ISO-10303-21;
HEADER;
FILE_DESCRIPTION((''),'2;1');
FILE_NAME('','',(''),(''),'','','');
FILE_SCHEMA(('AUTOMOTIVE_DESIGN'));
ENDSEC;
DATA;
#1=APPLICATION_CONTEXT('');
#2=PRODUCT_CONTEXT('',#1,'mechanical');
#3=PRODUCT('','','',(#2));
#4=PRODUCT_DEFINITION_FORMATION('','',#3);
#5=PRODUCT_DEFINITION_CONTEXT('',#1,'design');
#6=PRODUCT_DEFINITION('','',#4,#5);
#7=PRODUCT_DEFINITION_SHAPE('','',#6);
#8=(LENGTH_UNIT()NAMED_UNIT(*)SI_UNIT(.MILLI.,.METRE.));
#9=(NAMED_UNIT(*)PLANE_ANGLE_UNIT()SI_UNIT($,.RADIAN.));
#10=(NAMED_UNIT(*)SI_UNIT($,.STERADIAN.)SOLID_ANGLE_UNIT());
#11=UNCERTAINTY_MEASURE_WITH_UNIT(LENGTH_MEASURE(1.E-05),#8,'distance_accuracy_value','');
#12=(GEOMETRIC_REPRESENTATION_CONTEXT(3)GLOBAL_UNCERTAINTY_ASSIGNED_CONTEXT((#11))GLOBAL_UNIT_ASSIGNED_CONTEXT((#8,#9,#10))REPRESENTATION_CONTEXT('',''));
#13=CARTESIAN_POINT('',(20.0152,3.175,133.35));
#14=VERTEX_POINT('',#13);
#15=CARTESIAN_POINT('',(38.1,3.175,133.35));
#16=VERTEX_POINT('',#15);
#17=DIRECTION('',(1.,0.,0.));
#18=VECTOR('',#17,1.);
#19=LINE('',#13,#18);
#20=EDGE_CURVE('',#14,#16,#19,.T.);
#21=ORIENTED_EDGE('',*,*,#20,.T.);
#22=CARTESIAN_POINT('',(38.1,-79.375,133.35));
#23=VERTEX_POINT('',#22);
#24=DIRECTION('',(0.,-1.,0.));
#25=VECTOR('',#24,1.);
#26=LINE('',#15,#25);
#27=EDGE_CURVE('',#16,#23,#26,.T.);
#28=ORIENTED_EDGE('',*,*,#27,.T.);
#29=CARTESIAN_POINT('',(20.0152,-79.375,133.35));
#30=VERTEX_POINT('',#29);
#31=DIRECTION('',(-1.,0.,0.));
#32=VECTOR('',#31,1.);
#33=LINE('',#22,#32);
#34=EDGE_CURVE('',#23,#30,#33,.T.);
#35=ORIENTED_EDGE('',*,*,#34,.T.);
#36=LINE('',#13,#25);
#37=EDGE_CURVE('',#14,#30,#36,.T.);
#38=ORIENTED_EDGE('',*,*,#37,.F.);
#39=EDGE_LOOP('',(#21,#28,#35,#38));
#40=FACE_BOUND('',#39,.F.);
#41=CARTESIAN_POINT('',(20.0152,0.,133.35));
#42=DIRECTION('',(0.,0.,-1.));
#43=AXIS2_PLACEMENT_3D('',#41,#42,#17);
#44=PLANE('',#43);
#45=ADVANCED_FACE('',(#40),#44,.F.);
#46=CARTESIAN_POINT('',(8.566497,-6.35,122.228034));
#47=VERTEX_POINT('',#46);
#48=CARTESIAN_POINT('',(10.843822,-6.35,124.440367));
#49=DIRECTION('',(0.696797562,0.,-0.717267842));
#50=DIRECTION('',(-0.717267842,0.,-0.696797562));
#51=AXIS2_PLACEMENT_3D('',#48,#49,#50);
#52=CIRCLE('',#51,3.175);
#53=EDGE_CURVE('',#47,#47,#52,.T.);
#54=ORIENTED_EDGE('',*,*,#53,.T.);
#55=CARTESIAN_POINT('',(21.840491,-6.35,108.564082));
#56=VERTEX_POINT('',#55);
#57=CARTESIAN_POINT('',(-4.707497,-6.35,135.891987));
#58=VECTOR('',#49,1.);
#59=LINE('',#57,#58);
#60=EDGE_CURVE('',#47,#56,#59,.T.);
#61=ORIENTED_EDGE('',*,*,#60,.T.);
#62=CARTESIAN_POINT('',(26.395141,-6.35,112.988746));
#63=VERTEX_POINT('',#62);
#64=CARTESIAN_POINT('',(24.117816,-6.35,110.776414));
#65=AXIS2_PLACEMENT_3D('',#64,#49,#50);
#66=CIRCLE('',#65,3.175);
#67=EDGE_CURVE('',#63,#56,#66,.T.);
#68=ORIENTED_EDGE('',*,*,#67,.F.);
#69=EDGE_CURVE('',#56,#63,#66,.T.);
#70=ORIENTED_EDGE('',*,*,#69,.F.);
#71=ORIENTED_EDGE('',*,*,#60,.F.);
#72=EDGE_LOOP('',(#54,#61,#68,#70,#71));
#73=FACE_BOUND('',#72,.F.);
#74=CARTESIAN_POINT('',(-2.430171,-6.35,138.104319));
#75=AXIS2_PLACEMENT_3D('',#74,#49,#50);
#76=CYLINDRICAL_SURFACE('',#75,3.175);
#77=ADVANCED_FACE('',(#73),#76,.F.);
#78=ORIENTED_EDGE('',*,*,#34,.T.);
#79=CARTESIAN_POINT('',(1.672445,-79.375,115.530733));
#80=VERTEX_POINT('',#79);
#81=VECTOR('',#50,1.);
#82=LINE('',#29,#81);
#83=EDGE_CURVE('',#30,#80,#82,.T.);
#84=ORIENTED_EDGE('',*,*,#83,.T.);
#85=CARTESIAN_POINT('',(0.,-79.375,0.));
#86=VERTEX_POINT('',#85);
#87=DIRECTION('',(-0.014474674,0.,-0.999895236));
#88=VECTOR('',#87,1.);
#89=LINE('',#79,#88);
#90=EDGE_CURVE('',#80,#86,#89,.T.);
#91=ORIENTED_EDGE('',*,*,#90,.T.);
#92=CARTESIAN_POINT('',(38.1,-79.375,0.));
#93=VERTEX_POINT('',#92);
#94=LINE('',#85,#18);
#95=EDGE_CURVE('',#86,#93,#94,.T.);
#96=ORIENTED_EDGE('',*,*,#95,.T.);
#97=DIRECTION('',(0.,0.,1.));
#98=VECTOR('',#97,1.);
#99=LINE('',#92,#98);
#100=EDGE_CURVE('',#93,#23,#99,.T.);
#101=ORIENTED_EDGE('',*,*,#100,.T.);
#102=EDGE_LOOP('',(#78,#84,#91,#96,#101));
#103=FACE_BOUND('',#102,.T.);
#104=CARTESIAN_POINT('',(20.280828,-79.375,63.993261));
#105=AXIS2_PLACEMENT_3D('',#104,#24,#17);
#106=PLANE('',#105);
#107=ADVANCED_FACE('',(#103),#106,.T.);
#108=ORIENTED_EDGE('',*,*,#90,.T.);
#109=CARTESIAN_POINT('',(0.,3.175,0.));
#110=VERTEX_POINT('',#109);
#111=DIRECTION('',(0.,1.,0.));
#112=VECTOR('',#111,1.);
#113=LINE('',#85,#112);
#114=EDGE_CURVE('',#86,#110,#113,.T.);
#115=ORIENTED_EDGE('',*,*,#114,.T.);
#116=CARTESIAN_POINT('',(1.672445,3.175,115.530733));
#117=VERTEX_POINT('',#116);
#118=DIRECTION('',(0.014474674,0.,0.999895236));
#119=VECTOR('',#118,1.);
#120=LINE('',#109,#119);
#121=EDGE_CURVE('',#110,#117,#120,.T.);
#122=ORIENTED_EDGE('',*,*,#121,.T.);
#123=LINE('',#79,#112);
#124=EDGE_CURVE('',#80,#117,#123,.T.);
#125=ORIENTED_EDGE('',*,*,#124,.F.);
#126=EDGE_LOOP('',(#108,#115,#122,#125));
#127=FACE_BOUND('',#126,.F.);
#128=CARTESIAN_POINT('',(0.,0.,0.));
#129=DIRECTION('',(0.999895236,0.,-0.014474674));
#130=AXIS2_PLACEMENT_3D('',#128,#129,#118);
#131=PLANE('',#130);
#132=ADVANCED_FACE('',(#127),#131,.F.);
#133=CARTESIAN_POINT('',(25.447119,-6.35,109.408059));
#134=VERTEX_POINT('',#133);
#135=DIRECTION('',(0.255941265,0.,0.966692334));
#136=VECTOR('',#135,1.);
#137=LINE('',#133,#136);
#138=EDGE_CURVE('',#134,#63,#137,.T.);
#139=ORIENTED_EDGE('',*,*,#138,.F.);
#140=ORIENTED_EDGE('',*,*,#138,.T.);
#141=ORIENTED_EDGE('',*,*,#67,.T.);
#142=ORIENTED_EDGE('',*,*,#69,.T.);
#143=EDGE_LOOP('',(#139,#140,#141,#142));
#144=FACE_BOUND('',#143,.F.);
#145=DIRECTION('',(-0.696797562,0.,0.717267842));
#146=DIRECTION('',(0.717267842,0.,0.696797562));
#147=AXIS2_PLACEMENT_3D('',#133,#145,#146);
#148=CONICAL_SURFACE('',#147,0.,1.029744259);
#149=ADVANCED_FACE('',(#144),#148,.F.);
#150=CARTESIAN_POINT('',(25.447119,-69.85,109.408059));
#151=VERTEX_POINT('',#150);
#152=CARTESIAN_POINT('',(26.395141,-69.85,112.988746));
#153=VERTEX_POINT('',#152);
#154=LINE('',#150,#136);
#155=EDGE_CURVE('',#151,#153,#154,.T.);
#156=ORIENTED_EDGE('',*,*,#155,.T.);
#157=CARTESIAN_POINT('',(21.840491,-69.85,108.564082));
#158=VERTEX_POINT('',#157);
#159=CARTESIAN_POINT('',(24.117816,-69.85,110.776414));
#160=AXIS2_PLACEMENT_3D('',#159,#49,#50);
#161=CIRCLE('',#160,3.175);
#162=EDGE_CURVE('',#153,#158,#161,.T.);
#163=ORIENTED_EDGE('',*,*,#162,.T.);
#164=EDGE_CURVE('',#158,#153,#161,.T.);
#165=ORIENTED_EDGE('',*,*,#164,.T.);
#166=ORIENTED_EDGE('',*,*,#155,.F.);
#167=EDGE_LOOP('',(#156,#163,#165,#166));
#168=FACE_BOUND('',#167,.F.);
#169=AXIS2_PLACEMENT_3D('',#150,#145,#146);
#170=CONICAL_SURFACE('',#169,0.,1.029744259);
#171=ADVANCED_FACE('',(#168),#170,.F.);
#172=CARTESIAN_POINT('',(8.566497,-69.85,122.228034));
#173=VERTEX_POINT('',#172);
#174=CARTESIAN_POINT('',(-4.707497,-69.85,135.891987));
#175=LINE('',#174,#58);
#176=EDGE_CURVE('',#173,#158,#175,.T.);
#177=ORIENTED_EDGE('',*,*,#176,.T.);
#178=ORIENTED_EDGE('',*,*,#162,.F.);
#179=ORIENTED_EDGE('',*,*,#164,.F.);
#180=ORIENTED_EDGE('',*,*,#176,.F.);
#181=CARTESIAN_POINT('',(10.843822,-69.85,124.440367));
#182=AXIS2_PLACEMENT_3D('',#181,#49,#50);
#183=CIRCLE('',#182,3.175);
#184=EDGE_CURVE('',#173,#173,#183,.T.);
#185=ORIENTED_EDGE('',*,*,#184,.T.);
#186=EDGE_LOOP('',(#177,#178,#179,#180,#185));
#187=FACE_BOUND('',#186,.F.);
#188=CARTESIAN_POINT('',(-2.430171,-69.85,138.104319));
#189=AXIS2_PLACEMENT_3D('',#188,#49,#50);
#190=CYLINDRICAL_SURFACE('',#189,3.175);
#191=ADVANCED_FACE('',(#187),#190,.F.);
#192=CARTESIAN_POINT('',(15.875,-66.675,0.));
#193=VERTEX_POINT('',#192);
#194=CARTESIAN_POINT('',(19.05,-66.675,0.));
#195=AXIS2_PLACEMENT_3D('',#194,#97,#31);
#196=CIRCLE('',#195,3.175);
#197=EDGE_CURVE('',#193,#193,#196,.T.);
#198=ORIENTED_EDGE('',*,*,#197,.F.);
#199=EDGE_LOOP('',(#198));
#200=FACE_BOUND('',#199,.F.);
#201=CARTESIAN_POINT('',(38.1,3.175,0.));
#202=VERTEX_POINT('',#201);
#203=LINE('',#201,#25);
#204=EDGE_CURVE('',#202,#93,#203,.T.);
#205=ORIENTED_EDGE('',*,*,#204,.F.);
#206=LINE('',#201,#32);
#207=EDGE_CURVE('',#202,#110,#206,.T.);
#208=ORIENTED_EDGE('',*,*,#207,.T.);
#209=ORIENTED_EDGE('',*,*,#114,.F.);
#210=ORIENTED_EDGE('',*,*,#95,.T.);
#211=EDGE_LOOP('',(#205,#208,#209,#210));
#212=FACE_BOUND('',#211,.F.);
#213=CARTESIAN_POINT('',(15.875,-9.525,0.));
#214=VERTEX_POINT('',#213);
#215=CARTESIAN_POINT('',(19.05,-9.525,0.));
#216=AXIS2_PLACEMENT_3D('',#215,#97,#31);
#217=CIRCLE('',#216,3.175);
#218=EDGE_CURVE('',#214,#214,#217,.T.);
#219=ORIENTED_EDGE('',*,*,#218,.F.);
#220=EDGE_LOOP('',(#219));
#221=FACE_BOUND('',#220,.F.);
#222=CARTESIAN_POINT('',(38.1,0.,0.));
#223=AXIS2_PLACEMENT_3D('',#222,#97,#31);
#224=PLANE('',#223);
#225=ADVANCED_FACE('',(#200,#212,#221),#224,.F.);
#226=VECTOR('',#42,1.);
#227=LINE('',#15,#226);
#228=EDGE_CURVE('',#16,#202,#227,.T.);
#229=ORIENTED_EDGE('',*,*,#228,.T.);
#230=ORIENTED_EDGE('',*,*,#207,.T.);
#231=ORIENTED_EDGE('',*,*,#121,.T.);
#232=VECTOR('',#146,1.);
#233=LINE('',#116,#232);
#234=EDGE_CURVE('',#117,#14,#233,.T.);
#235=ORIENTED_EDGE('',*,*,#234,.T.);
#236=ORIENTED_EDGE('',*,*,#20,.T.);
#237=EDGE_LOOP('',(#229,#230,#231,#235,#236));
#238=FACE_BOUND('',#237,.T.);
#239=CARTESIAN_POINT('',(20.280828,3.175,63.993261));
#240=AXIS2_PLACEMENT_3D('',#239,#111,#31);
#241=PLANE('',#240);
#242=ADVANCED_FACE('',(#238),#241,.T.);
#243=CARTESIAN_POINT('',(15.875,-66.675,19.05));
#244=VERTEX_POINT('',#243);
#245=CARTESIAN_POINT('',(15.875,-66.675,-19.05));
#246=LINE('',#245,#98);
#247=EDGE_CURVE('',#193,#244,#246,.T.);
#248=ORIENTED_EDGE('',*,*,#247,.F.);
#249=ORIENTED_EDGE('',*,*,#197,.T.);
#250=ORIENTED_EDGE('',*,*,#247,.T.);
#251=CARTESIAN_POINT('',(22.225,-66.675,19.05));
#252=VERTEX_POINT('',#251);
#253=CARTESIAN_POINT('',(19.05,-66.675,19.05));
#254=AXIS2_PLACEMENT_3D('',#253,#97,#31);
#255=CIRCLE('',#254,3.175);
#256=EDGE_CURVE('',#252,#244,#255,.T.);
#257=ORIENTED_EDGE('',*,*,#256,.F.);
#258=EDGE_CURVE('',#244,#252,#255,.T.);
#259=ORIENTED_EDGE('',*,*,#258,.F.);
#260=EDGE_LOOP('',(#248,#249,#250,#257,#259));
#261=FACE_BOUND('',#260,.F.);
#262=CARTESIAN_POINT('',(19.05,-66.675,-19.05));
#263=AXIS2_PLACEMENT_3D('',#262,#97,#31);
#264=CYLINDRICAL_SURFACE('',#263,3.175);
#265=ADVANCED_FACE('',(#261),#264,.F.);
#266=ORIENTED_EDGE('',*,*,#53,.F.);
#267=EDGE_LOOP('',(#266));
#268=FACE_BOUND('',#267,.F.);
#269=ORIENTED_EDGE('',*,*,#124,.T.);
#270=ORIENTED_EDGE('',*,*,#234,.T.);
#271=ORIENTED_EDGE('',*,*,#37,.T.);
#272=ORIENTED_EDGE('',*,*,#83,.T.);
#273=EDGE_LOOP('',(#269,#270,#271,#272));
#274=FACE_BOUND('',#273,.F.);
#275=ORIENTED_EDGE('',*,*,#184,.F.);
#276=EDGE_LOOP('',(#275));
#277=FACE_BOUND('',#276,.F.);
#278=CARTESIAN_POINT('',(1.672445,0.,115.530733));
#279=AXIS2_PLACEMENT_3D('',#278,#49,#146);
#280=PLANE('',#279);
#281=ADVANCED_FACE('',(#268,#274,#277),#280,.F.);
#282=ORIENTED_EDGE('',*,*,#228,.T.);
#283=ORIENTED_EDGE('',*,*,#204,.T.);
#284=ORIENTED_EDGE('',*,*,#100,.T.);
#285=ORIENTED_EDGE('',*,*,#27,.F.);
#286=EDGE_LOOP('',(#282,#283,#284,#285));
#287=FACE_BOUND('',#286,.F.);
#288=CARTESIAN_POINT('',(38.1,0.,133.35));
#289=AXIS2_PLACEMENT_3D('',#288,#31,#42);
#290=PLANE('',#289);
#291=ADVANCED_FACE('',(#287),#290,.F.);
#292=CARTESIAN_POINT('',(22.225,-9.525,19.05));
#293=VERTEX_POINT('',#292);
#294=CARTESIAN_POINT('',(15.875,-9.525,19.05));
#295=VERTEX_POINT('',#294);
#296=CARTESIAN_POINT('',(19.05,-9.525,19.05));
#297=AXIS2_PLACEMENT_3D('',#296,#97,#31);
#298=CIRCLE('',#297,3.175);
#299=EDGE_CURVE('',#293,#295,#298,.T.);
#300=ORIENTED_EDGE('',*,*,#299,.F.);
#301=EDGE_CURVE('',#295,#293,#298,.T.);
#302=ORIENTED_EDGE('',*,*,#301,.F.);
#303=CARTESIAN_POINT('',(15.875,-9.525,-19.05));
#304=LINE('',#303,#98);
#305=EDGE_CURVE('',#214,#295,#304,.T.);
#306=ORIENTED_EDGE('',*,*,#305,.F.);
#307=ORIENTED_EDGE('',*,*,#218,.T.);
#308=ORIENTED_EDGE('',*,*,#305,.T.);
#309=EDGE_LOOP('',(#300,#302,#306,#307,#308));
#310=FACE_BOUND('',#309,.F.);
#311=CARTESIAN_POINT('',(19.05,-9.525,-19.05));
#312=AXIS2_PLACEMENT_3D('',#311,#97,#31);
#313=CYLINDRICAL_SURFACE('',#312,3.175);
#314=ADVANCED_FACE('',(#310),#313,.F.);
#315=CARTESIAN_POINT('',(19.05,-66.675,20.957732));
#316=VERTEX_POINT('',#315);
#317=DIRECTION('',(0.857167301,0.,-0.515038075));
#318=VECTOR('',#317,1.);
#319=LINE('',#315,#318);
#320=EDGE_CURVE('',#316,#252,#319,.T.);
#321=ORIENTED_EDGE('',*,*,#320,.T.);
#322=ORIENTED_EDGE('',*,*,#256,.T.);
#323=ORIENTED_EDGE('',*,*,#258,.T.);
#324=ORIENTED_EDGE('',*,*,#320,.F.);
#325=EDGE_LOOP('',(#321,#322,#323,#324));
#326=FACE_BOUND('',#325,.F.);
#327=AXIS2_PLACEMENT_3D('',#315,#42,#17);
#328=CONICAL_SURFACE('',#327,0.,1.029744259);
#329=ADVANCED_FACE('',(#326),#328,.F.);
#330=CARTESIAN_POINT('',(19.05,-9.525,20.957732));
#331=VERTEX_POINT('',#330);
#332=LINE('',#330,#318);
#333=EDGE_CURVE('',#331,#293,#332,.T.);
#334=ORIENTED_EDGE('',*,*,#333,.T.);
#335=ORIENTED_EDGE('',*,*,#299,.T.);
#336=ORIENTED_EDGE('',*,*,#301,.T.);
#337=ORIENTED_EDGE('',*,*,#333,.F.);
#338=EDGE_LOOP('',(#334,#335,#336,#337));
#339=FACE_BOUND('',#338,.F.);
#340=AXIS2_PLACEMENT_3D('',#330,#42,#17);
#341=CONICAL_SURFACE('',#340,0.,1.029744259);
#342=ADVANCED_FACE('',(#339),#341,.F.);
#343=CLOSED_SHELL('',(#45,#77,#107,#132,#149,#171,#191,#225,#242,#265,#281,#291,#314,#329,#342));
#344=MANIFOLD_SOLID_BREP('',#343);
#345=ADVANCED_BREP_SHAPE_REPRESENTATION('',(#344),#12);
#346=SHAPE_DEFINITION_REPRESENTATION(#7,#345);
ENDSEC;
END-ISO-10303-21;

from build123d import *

# Parameters (mm, degrees)
F1_DEPTH = 76.2
F3_D     = 6.35
F3_DEPTH = 19.05
F3_TIP   = 1.9077324654
F5_DEPTH = 3.175
F7_DEPTH = 3.175
F9_D     = 6.35
F9_DEPTH = 19.05
F9_TIP   = 1.9077324654


with BuildPart() as f1:
    # F0 (on Front) → F1 (new body)
    with BuildSketch(Plane.XZ):
        Polygon((1.6724448999, 115.5307332167), (0, 0), (38.1, 0), (38.1, 133.35), (20.0152, 133.35), align=None)
    extrude(amount=F1_DEPTH)

    # F3
    with Locations(Plane(origin=(-56.9291441584, 0, 58.6015890583), x_dir=(0.7172678422, 0, 0.6967975621), z_dir=(-0.6967975621, 0, 0.7172678422))):
        with Locations((94.487669207, -6.35), (94.487669207, -69.85)):
            Hole(F3_D / 2, depth=F3_DEPTH)
            with Locations((0, 0, -(F3_DEPTH + F3_TIP / 2))):  # 118° drill point
                Cone(0, F3_D / 2, F3_TIP, mode=Mode.SUBTRACT)

    # F4 (on face) → F5 (join)
    with BuildSketch(Plane.XZ.offset(76.2)):
        Polygon((20.0152, 133.35), (1.6724448999, 115.5307332167), (0, 0), (38.1, 0), (38.1, 133.35), align=None)
    extrude(amount=F5_DEPTH)

    # F6 (on face) → F7 (join)
    with BuildSketch(Plane(origin=(0, 0, 0), x_dir=(-1, 0, 0), z_dir=(0, 1, 0))):
        Polygon((-38.1, 0), (0, 0), (-1.6724448999, 115.5307332167), (-20.0152, 133.35), (-38.1, 133.35), align=None)
    extrude(amount=F7_DEPTH)

    # F9
    with Locations(Plane(origin=(0, 0, 0), x_dir=(1, 0, 0), z_dir=(0, 0, -1))):
        with Locations((19.05, 9.525), (19.05, 66.675)):
            Hole(F9_D / 2, depth=F9_DEPTH)
            with Locations((0, 0, -(F9_DEPTH + F9_TIP / 2))):  # 118° drill point
                Cone(0, F9_D / 2, F9_TIP, mode=Mode.SUBTRACT)


solid = f1.part
